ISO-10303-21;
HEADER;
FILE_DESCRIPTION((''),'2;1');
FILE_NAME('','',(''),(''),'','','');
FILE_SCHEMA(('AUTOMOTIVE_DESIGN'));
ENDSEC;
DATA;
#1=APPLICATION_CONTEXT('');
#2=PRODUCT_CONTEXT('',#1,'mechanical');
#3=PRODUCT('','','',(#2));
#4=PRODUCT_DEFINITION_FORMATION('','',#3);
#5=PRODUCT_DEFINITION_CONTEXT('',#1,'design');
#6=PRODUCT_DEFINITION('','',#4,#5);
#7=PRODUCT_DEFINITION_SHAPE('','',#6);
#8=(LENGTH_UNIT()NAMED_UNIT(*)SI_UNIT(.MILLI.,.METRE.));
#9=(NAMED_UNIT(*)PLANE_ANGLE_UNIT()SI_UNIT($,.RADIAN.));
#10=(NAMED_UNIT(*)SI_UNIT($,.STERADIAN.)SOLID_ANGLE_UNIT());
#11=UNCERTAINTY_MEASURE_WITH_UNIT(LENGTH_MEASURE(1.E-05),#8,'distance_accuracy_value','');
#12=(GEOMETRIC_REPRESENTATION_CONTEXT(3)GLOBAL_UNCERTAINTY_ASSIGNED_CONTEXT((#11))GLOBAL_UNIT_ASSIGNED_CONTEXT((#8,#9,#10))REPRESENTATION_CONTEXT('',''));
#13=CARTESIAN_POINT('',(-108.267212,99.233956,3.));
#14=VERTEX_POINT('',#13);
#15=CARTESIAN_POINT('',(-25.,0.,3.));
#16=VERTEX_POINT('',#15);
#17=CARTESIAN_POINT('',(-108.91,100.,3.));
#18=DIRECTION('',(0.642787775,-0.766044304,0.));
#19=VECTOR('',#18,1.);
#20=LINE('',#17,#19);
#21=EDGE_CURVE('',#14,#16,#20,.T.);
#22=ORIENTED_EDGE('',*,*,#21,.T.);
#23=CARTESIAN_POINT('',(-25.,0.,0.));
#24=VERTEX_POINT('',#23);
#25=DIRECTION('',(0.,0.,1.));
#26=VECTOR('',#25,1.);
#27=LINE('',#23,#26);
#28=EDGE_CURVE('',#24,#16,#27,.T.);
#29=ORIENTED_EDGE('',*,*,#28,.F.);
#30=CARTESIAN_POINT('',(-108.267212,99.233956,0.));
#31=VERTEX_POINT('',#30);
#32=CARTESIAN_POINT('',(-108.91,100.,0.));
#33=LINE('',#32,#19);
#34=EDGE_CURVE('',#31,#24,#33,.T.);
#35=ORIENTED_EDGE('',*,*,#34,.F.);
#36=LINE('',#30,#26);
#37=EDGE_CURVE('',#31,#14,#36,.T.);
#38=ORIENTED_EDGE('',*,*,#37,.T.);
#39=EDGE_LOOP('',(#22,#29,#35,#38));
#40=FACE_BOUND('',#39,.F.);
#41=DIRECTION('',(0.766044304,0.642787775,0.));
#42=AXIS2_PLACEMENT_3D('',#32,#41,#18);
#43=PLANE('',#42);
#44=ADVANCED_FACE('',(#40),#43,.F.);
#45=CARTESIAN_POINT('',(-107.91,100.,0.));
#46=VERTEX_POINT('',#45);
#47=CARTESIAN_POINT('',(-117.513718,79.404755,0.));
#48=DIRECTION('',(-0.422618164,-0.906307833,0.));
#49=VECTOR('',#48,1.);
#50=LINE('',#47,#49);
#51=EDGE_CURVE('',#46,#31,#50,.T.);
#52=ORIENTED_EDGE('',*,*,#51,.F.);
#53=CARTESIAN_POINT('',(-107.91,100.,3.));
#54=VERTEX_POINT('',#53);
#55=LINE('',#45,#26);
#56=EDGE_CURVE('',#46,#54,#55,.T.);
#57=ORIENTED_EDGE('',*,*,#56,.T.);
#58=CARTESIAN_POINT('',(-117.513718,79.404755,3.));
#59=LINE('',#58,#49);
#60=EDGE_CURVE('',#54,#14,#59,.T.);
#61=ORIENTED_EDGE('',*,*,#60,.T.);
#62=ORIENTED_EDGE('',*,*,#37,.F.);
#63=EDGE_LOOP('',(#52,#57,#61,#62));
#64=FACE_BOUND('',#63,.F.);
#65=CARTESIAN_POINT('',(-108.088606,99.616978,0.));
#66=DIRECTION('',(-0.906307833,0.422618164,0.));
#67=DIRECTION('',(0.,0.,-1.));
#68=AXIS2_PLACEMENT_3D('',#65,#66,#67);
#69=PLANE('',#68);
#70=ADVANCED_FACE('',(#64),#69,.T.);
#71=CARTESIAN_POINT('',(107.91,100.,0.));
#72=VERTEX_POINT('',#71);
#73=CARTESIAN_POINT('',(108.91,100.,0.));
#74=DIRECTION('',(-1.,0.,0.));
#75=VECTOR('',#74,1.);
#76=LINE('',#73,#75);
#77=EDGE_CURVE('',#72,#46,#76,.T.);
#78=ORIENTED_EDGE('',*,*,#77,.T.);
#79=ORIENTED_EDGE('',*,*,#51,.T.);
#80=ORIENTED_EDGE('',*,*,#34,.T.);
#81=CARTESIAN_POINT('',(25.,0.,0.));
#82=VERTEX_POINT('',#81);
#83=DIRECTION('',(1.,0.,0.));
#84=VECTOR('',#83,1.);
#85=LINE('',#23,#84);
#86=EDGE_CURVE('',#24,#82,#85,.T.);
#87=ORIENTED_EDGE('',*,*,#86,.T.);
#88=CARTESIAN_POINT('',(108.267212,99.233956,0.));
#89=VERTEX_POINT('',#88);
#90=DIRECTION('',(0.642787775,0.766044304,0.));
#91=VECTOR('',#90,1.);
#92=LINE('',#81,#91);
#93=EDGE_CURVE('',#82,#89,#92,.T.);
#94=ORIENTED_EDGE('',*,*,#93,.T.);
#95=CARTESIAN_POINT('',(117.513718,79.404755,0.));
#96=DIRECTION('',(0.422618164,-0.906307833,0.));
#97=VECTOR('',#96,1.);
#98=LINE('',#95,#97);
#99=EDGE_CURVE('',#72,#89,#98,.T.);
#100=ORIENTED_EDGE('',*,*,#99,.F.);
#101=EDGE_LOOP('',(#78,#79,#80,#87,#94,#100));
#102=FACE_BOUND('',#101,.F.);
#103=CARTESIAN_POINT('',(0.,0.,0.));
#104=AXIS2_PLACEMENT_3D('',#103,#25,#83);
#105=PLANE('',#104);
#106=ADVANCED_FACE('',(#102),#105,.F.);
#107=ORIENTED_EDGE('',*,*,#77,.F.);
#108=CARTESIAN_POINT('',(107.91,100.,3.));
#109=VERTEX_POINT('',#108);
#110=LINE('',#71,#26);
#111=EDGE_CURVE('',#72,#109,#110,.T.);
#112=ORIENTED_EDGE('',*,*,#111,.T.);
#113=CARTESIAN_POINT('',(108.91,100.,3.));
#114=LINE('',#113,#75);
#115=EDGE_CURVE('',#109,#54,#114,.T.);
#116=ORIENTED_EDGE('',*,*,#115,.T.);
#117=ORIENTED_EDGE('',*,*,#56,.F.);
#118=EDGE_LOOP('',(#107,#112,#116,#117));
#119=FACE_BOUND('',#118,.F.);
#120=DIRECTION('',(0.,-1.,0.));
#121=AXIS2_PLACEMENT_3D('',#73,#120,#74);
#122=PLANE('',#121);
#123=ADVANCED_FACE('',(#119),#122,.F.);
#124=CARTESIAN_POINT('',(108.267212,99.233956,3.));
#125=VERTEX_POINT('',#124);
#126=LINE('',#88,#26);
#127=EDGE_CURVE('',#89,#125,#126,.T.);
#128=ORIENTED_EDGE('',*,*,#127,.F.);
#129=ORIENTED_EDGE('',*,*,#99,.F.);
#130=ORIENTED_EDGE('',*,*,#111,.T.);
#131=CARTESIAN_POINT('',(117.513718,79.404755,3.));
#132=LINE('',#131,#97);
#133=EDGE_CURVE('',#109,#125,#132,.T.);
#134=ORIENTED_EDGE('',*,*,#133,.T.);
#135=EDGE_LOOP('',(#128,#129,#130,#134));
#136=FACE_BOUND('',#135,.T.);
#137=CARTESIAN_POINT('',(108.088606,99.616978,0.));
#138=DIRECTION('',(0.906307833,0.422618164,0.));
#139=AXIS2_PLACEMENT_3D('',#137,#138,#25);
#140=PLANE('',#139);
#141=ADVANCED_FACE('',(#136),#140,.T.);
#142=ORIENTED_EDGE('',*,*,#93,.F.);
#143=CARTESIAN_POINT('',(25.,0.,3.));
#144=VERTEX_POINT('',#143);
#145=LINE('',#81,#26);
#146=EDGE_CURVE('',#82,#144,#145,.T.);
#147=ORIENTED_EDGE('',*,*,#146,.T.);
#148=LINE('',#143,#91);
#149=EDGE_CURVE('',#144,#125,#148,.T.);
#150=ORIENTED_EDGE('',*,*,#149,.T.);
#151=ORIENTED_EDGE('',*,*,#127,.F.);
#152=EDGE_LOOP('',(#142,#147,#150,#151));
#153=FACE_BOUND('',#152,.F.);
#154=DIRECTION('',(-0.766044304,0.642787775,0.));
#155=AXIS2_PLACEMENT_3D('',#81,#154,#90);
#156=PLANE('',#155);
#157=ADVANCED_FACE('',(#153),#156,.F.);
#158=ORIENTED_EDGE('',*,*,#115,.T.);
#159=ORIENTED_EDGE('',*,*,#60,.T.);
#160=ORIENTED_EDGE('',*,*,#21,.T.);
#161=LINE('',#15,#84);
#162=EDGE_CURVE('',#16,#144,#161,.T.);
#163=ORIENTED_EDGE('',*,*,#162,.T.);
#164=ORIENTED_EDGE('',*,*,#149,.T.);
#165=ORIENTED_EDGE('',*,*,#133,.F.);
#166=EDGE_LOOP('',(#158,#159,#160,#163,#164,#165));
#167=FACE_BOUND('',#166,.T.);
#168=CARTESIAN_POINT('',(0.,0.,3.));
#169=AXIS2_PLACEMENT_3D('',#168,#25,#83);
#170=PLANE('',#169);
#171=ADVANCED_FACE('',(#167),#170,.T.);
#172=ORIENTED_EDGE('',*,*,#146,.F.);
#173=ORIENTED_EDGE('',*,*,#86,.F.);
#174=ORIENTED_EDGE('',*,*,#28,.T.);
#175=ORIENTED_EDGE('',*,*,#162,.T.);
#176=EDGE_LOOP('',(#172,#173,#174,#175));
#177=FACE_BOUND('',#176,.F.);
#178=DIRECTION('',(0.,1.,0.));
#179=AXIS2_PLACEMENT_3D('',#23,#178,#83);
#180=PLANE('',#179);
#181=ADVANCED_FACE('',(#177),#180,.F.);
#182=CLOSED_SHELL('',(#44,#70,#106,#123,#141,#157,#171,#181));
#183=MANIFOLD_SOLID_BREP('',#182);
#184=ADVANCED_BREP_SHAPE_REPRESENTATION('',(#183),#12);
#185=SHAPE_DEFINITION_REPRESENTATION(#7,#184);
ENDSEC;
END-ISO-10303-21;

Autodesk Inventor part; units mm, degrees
ref_plane "YZ Plane" through (0, 0, 0) normal (1, 0, 0) x (0, 1, 0)
ref_plane "XZ Plane" through (0, 0, 0) normal (0, 1, 0) x (-1, 0, 0)
ref_plane "XY Plane" through (0, 0, 0) normal (0, 0, 1) x (1, 0, 0)
sketch "Sketch1" plane through (0, 0, 0) normal (0, 0, 1) x (1, 0, 0)
  line L0 (-108.91, 100) -> (-25, 0)
  line L1 (-25, 0) -> (25, 0)
  line L2 (25, 0) -> (108.91, 100)
  line L3 (108.91, 100) -> (-108.91, 100)
  point P0 (0, 0)
  point P1 (0, 0)
  point P2 (0, 100)
  dimension "BendRadius" = 3
  dimension "d0" = 100
  dimension "d1" = 50
  dimension "d2" = 217.8199
  dimension "d4" = 130
extrude "Plate1" add sketch "Sketch1" along normal blind 3
chamfer "Chamfer1" distance 1 angle 45 2 edges at (-108.91, 100, 1.5) (108.91, 100, 1.5)
equation "\"BendRadius\" = Thickness"
equation "\"d0\" = Лоток_высота"
equation "\"d1\" = Лоток_ширина_низ"
equation "\"d4\" = Лоток_угол"
equation "\"d3\" = Thickness"
equation "\"BendReliefWidth\" = Thickness"
equation "\"BendReliefDepth\" = 0.5 * Thickness"
equation "\"CornerReliefSize\" = 4 * Thickness"
equation "\"MinimumRemnant\" = 2 * Thickness"
equation "\"TransitionRadius\" = BendRadius"
equation "\"JacobiRadiusSize\" = BendRadius"
equation "\"GapSize\" = Thickness"
equation "\"Thickness\" = 3"
equation "\"Лоток_высота\" = 100"
equation "\"Лоток_ширина_низ\" = 50"
equation "\"Лоток_угол\" = 130deg"
properties part number "ДМФ 052 торец лотка кормовой"
